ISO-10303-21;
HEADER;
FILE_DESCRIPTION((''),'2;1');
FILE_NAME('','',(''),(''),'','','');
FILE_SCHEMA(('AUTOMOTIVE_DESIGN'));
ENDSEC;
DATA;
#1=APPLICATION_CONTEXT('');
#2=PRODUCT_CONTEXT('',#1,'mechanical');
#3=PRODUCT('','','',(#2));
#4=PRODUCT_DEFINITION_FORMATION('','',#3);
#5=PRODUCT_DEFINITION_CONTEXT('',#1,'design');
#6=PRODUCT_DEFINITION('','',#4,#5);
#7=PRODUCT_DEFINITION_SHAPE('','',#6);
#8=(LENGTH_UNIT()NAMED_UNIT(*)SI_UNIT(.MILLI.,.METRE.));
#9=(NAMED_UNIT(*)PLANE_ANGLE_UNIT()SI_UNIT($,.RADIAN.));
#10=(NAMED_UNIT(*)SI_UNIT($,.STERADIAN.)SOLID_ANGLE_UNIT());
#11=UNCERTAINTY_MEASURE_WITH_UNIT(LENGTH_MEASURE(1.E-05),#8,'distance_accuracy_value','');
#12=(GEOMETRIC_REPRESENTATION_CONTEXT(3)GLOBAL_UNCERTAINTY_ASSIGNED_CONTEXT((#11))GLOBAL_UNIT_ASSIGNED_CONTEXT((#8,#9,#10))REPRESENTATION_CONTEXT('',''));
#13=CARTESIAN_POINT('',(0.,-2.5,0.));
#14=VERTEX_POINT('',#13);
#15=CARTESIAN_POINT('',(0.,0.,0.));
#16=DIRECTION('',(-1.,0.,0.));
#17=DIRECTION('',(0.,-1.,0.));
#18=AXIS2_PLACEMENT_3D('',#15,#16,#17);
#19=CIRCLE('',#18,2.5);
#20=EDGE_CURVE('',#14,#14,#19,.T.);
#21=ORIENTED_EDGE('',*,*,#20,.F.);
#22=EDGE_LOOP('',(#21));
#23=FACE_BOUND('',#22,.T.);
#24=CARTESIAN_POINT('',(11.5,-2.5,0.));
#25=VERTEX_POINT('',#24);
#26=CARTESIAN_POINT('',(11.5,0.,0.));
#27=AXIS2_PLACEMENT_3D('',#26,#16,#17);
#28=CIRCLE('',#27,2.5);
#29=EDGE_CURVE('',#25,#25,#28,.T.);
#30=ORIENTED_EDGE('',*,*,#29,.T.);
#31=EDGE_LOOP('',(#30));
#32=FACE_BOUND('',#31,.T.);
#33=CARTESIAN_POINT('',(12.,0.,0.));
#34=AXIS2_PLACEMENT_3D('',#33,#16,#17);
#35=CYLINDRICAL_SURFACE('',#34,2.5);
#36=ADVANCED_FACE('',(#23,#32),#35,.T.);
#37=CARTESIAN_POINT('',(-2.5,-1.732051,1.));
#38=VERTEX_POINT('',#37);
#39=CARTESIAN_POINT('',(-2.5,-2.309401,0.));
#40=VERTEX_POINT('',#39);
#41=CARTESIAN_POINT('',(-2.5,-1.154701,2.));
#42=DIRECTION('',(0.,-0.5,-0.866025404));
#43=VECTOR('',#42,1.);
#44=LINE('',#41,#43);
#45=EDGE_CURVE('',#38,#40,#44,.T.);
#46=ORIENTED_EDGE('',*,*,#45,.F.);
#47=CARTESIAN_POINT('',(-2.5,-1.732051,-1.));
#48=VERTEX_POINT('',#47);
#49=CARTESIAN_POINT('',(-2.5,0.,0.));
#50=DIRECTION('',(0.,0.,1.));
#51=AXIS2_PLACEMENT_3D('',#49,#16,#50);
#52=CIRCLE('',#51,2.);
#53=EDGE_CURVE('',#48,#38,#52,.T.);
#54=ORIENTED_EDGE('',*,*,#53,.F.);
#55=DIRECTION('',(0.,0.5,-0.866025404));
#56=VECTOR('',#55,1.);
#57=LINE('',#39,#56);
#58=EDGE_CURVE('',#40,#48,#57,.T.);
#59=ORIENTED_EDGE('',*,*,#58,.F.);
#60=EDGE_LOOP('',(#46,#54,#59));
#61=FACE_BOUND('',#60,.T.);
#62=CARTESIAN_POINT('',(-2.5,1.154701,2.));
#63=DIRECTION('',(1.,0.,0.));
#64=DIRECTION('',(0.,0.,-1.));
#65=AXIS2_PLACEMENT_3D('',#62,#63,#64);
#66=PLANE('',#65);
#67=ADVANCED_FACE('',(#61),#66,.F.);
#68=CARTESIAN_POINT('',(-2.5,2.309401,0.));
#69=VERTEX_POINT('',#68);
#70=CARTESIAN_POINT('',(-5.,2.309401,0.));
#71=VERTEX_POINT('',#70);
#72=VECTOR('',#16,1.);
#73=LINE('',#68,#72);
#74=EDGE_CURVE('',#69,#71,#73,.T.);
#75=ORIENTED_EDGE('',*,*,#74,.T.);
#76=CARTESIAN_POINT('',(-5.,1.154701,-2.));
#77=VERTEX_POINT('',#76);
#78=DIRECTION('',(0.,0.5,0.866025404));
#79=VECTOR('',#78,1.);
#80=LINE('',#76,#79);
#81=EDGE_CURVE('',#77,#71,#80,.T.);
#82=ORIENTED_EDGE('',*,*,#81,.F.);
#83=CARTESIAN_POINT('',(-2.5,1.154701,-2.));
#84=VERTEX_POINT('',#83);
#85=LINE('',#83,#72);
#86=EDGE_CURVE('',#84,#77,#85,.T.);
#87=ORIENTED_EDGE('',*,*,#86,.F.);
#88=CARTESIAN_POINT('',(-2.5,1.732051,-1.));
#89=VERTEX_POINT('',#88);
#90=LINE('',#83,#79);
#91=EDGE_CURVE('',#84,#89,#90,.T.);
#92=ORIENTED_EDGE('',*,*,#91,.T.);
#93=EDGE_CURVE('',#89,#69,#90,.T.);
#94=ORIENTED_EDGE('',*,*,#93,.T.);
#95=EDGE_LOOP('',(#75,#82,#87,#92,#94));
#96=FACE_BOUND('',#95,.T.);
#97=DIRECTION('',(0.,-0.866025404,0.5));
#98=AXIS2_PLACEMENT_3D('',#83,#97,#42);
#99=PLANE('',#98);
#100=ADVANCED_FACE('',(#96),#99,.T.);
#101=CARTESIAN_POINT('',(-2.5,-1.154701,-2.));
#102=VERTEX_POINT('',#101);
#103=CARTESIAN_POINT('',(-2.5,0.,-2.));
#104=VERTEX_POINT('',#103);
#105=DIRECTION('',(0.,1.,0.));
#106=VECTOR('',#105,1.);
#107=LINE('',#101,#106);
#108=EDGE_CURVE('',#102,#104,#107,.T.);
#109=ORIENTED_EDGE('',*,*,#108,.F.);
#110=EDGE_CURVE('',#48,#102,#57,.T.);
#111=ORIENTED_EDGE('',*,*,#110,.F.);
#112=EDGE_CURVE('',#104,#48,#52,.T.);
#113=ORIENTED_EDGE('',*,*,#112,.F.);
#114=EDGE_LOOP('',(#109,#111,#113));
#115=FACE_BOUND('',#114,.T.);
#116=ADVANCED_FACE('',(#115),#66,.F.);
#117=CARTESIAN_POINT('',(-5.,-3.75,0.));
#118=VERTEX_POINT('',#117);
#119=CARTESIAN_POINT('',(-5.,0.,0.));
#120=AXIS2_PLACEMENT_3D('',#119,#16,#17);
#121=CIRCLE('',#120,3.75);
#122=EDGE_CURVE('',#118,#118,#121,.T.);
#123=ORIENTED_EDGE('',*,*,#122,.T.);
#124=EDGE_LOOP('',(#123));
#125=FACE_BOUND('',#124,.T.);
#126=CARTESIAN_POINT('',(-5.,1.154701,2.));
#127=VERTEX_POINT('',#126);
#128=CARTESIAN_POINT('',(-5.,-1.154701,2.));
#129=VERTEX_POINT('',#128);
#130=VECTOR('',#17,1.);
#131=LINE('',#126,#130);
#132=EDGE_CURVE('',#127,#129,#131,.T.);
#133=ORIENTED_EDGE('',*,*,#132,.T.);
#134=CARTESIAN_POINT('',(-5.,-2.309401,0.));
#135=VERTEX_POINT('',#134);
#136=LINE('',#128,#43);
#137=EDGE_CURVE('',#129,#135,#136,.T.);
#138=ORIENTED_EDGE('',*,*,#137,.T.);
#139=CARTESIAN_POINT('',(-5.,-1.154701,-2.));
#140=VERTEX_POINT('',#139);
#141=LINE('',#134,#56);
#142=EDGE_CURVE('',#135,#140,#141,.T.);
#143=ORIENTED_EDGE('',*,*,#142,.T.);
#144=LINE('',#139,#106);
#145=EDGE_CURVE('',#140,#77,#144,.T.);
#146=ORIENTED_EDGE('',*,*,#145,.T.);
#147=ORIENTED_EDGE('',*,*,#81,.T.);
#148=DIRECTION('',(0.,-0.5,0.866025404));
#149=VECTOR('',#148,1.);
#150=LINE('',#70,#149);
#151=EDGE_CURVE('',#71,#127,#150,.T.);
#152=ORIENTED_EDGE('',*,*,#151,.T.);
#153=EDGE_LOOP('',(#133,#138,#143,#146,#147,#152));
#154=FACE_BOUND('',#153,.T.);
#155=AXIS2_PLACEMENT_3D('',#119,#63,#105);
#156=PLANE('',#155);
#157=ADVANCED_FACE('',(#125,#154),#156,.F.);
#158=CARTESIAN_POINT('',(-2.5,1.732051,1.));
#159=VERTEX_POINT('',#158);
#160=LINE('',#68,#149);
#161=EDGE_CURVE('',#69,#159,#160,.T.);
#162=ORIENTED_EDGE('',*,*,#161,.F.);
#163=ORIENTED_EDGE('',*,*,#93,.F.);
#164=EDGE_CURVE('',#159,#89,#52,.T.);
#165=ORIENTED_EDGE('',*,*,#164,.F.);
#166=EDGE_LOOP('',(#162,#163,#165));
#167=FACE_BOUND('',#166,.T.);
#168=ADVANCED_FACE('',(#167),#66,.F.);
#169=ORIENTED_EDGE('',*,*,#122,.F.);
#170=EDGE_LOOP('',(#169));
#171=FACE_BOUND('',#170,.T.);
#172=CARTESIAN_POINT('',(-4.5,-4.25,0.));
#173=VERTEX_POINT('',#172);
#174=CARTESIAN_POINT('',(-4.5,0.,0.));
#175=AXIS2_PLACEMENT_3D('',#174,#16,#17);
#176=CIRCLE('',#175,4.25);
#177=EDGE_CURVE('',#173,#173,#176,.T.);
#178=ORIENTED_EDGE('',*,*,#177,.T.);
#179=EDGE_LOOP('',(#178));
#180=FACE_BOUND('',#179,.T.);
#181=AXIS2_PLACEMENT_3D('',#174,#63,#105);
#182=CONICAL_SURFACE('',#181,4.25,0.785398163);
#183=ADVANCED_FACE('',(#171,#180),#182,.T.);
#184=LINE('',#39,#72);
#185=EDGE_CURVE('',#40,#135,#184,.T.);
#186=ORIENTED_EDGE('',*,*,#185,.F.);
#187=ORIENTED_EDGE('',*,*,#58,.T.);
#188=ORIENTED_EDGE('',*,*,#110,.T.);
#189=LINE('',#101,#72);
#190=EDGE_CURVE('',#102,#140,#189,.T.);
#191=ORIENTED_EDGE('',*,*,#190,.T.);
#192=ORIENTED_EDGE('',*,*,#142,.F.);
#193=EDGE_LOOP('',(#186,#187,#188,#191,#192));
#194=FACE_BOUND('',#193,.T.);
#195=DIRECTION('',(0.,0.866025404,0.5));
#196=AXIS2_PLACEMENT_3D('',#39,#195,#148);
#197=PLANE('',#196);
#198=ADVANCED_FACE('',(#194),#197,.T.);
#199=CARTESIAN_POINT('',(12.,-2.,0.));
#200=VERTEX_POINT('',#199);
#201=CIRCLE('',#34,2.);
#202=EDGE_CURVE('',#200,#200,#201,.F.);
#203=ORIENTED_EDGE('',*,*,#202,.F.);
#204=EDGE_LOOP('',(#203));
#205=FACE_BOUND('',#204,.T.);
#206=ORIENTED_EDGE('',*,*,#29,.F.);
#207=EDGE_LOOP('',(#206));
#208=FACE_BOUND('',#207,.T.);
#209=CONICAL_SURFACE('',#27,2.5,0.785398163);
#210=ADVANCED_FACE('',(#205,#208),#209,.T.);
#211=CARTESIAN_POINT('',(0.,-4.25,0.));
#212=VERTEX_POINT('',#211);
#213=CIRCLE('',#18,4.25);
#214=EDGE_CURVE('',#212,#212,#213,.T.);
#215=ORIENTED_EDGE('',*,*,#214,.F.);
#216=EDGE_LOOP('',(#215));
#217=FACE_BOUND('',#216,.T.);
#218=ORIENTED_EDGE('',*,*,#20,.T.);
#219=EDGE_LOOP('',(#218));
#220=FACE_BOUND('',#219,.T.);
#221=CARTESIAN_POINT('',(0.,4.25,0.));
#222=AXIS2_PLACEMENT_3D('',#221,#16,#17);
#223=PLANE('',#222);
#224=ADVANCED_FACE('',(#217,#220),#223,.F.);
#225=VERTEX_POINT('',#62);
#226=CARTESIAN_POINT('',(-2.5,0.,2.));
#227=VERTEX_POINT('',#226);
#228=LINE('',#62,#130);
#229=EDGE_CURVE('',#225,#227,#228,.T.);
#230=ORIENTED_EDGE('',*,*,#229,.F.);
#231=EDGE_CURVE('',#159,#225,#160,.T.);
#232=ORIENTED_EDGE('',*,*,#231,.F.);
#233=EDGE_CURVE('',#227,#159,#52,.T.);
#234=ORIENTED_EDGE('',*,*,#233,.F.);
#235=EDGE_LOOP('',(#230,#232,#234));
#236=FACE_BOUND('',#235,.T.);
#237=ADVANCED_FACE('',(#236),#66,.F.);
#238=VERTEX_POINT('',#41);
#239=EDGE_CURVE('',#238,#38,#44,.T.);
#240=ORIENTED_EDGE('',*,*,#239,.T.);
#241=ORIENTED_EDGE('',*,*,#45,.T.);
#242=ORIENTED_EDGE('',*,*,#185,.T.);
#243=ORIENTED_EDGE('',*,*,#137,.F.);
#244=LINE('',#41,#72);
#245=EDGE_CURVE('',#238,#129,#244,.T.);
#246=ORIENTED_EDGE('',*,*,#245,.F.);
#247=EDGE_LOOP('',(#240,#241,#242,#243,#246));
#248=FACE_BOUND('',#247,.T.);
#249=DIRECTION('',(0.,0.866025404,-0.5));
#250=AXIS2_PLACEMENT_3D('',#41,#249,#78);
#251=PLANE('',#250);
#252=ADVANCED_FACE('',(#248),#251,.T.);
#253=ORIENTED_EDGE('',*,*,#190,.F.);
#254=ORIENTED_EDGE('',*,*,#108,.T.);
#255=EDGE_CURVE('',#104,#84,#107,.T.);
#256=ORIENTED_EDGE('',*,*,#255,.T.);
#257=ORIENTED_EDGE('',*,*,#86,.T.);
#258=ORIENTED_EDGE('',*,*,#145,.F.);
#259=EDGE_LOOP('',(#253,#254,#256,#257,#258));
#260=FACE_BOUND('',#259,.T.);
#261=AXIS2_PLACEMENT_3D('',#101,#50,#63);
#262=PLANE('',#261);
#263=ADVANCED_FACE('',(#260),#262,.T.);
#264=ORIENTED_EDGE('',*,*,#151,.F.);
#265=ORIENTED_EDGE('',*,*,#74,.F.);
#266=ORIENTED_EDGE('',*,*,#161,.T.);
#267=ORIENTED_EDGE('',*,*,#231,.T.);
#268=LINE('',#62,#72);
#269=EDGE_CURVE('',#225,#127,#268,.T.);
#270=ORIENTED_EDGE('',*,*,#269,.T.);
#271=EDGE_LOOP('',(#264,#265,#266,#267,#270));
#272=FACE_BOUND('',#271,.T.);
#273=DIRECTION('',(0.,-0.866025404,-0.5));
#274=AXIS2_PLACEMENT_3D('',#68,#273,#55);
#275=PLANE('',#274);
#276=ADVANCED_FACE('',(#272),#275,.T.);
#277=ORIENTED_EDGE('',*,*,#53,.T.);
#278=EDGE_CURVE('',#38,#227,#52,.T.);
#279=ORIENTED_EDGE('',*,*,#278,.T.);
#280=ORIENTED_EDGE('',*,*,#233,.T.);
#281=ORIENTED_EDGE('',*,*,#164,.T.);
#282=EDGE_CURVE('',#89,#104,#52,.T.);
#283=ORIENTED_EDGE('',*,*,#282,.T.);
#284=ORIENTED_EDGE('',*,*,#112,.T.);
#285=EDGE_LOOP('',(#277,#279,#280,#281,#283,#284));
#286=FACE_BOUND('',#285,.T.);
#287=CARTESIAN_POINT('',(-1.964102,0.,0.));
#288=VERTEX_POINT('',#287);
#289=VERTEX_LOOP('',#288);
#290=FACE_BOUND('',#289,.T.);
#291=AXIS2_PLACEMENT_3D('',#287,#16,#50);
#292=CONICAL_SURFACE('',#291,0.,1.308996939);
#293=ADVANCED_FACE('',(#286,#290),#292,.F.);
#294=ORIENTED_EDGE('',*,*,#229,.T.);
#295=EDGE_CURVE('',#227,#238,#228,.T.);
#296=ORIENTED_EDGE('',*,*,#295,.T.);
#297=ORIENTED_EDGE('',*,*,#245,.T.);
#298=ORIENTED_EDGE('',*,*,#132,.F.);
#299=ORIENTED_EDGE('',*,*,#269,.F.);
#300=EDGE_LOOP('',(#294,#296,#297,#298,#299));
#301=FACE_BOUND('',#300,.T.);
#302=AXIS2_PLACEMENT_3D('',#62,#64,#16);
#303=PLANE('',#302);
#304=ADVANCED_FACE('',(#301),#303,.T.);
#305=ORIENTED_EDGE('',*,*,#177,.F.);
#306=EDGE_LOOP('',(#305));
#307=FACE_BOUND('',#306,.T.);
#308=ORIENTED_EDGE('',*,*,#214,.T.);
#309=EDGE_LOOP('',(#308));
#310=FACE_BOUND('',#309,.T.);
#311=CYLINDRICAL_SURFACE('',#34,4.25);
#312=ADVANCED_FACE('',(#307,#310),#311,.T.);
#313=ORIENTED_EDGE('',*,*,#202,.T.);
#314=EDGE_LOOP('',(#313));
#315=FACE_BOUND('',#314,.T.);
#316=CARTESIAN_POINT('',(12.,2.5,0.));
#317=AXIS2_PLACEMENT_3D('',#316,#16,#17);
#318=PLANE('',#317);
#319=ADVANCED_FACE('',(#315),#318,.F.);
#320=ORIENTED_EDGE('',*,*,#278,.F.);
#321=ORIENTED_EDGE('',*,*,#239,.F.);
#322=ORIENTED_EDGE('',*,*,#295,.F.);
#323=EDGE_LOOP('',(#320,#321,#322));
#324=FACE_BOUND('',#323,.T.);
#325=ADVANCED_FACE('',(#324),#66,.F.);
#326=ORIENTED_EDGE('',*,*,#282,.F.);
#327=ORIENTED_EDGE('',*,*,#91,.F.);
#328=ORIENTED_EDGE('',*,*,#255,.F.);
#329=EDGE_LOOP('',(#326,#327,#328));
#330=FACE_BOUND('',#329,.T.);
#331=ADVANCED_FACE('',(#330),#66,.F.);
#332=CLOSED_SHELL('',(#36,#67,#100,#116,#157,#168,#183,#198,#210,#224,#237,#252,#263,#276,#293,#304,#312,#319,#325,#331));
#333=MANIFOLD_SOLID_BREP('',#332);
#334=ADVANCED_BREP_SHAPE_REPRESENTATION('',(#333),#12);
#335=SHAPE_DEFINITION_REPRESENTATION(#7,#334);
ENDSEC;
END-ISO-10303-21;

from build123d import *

# Parameters (mm, degrees)
CHAMFER1_SIZE      = 0.5
CUT_EXTRUDE1_DEPTH = 2.5


with BuildPart() as part:
    # Sketch1 → Revolve1 (revolve)
    with BuildSketch(Plane.XY):
        Polygon((-5, 0), (-5, 3.75), (-4.5, 4.25), (0, 4.25), (0, 2.5), (12, 2.5), (12, 0), align=None)
    revolve(axis=Axis((12, 0, 0), (-1, 0, 0)))

    # Chamfer1
    chamfer1_edges = [part.edges().sort_by_distance(p)[0] for p in [
        (12, -2.5, 0),
    ]]
    chamfer(chamfer1_edges, length=CHAMFER1_SIZE)

    # Sketch2 → Cut-Revolve1 (revolve, cut)
    with BuildSketch(Plane.XY):
        Polygon((-5, 0), (-5, 2), (-2.5, 2), (-1.964101615, 0), align=None)
    revolve(axis=Axis((-1.964101615, 0, 0), (-1, 0, 0)), mode=Mode.SUBTRACT)

    # Sketch3 → Cut-Extrude1 (cut)
    with BuildSketch(Plane(origin=(-5, 0, 0), x_dir=(0, 0, -1), z_dir=(1, 0, 0))):
        Polygon((-2, 1.154700538), (-2, -1.154700538), (0, -2.309401077), (2, -1.154700538), (2, 1.154700538), (0, 2.309401077), align=None)
    extrude(amount=CUT_EXTRUDE1_DEPTH, mode=Mode.SUBTRACT)


solid = part.part
